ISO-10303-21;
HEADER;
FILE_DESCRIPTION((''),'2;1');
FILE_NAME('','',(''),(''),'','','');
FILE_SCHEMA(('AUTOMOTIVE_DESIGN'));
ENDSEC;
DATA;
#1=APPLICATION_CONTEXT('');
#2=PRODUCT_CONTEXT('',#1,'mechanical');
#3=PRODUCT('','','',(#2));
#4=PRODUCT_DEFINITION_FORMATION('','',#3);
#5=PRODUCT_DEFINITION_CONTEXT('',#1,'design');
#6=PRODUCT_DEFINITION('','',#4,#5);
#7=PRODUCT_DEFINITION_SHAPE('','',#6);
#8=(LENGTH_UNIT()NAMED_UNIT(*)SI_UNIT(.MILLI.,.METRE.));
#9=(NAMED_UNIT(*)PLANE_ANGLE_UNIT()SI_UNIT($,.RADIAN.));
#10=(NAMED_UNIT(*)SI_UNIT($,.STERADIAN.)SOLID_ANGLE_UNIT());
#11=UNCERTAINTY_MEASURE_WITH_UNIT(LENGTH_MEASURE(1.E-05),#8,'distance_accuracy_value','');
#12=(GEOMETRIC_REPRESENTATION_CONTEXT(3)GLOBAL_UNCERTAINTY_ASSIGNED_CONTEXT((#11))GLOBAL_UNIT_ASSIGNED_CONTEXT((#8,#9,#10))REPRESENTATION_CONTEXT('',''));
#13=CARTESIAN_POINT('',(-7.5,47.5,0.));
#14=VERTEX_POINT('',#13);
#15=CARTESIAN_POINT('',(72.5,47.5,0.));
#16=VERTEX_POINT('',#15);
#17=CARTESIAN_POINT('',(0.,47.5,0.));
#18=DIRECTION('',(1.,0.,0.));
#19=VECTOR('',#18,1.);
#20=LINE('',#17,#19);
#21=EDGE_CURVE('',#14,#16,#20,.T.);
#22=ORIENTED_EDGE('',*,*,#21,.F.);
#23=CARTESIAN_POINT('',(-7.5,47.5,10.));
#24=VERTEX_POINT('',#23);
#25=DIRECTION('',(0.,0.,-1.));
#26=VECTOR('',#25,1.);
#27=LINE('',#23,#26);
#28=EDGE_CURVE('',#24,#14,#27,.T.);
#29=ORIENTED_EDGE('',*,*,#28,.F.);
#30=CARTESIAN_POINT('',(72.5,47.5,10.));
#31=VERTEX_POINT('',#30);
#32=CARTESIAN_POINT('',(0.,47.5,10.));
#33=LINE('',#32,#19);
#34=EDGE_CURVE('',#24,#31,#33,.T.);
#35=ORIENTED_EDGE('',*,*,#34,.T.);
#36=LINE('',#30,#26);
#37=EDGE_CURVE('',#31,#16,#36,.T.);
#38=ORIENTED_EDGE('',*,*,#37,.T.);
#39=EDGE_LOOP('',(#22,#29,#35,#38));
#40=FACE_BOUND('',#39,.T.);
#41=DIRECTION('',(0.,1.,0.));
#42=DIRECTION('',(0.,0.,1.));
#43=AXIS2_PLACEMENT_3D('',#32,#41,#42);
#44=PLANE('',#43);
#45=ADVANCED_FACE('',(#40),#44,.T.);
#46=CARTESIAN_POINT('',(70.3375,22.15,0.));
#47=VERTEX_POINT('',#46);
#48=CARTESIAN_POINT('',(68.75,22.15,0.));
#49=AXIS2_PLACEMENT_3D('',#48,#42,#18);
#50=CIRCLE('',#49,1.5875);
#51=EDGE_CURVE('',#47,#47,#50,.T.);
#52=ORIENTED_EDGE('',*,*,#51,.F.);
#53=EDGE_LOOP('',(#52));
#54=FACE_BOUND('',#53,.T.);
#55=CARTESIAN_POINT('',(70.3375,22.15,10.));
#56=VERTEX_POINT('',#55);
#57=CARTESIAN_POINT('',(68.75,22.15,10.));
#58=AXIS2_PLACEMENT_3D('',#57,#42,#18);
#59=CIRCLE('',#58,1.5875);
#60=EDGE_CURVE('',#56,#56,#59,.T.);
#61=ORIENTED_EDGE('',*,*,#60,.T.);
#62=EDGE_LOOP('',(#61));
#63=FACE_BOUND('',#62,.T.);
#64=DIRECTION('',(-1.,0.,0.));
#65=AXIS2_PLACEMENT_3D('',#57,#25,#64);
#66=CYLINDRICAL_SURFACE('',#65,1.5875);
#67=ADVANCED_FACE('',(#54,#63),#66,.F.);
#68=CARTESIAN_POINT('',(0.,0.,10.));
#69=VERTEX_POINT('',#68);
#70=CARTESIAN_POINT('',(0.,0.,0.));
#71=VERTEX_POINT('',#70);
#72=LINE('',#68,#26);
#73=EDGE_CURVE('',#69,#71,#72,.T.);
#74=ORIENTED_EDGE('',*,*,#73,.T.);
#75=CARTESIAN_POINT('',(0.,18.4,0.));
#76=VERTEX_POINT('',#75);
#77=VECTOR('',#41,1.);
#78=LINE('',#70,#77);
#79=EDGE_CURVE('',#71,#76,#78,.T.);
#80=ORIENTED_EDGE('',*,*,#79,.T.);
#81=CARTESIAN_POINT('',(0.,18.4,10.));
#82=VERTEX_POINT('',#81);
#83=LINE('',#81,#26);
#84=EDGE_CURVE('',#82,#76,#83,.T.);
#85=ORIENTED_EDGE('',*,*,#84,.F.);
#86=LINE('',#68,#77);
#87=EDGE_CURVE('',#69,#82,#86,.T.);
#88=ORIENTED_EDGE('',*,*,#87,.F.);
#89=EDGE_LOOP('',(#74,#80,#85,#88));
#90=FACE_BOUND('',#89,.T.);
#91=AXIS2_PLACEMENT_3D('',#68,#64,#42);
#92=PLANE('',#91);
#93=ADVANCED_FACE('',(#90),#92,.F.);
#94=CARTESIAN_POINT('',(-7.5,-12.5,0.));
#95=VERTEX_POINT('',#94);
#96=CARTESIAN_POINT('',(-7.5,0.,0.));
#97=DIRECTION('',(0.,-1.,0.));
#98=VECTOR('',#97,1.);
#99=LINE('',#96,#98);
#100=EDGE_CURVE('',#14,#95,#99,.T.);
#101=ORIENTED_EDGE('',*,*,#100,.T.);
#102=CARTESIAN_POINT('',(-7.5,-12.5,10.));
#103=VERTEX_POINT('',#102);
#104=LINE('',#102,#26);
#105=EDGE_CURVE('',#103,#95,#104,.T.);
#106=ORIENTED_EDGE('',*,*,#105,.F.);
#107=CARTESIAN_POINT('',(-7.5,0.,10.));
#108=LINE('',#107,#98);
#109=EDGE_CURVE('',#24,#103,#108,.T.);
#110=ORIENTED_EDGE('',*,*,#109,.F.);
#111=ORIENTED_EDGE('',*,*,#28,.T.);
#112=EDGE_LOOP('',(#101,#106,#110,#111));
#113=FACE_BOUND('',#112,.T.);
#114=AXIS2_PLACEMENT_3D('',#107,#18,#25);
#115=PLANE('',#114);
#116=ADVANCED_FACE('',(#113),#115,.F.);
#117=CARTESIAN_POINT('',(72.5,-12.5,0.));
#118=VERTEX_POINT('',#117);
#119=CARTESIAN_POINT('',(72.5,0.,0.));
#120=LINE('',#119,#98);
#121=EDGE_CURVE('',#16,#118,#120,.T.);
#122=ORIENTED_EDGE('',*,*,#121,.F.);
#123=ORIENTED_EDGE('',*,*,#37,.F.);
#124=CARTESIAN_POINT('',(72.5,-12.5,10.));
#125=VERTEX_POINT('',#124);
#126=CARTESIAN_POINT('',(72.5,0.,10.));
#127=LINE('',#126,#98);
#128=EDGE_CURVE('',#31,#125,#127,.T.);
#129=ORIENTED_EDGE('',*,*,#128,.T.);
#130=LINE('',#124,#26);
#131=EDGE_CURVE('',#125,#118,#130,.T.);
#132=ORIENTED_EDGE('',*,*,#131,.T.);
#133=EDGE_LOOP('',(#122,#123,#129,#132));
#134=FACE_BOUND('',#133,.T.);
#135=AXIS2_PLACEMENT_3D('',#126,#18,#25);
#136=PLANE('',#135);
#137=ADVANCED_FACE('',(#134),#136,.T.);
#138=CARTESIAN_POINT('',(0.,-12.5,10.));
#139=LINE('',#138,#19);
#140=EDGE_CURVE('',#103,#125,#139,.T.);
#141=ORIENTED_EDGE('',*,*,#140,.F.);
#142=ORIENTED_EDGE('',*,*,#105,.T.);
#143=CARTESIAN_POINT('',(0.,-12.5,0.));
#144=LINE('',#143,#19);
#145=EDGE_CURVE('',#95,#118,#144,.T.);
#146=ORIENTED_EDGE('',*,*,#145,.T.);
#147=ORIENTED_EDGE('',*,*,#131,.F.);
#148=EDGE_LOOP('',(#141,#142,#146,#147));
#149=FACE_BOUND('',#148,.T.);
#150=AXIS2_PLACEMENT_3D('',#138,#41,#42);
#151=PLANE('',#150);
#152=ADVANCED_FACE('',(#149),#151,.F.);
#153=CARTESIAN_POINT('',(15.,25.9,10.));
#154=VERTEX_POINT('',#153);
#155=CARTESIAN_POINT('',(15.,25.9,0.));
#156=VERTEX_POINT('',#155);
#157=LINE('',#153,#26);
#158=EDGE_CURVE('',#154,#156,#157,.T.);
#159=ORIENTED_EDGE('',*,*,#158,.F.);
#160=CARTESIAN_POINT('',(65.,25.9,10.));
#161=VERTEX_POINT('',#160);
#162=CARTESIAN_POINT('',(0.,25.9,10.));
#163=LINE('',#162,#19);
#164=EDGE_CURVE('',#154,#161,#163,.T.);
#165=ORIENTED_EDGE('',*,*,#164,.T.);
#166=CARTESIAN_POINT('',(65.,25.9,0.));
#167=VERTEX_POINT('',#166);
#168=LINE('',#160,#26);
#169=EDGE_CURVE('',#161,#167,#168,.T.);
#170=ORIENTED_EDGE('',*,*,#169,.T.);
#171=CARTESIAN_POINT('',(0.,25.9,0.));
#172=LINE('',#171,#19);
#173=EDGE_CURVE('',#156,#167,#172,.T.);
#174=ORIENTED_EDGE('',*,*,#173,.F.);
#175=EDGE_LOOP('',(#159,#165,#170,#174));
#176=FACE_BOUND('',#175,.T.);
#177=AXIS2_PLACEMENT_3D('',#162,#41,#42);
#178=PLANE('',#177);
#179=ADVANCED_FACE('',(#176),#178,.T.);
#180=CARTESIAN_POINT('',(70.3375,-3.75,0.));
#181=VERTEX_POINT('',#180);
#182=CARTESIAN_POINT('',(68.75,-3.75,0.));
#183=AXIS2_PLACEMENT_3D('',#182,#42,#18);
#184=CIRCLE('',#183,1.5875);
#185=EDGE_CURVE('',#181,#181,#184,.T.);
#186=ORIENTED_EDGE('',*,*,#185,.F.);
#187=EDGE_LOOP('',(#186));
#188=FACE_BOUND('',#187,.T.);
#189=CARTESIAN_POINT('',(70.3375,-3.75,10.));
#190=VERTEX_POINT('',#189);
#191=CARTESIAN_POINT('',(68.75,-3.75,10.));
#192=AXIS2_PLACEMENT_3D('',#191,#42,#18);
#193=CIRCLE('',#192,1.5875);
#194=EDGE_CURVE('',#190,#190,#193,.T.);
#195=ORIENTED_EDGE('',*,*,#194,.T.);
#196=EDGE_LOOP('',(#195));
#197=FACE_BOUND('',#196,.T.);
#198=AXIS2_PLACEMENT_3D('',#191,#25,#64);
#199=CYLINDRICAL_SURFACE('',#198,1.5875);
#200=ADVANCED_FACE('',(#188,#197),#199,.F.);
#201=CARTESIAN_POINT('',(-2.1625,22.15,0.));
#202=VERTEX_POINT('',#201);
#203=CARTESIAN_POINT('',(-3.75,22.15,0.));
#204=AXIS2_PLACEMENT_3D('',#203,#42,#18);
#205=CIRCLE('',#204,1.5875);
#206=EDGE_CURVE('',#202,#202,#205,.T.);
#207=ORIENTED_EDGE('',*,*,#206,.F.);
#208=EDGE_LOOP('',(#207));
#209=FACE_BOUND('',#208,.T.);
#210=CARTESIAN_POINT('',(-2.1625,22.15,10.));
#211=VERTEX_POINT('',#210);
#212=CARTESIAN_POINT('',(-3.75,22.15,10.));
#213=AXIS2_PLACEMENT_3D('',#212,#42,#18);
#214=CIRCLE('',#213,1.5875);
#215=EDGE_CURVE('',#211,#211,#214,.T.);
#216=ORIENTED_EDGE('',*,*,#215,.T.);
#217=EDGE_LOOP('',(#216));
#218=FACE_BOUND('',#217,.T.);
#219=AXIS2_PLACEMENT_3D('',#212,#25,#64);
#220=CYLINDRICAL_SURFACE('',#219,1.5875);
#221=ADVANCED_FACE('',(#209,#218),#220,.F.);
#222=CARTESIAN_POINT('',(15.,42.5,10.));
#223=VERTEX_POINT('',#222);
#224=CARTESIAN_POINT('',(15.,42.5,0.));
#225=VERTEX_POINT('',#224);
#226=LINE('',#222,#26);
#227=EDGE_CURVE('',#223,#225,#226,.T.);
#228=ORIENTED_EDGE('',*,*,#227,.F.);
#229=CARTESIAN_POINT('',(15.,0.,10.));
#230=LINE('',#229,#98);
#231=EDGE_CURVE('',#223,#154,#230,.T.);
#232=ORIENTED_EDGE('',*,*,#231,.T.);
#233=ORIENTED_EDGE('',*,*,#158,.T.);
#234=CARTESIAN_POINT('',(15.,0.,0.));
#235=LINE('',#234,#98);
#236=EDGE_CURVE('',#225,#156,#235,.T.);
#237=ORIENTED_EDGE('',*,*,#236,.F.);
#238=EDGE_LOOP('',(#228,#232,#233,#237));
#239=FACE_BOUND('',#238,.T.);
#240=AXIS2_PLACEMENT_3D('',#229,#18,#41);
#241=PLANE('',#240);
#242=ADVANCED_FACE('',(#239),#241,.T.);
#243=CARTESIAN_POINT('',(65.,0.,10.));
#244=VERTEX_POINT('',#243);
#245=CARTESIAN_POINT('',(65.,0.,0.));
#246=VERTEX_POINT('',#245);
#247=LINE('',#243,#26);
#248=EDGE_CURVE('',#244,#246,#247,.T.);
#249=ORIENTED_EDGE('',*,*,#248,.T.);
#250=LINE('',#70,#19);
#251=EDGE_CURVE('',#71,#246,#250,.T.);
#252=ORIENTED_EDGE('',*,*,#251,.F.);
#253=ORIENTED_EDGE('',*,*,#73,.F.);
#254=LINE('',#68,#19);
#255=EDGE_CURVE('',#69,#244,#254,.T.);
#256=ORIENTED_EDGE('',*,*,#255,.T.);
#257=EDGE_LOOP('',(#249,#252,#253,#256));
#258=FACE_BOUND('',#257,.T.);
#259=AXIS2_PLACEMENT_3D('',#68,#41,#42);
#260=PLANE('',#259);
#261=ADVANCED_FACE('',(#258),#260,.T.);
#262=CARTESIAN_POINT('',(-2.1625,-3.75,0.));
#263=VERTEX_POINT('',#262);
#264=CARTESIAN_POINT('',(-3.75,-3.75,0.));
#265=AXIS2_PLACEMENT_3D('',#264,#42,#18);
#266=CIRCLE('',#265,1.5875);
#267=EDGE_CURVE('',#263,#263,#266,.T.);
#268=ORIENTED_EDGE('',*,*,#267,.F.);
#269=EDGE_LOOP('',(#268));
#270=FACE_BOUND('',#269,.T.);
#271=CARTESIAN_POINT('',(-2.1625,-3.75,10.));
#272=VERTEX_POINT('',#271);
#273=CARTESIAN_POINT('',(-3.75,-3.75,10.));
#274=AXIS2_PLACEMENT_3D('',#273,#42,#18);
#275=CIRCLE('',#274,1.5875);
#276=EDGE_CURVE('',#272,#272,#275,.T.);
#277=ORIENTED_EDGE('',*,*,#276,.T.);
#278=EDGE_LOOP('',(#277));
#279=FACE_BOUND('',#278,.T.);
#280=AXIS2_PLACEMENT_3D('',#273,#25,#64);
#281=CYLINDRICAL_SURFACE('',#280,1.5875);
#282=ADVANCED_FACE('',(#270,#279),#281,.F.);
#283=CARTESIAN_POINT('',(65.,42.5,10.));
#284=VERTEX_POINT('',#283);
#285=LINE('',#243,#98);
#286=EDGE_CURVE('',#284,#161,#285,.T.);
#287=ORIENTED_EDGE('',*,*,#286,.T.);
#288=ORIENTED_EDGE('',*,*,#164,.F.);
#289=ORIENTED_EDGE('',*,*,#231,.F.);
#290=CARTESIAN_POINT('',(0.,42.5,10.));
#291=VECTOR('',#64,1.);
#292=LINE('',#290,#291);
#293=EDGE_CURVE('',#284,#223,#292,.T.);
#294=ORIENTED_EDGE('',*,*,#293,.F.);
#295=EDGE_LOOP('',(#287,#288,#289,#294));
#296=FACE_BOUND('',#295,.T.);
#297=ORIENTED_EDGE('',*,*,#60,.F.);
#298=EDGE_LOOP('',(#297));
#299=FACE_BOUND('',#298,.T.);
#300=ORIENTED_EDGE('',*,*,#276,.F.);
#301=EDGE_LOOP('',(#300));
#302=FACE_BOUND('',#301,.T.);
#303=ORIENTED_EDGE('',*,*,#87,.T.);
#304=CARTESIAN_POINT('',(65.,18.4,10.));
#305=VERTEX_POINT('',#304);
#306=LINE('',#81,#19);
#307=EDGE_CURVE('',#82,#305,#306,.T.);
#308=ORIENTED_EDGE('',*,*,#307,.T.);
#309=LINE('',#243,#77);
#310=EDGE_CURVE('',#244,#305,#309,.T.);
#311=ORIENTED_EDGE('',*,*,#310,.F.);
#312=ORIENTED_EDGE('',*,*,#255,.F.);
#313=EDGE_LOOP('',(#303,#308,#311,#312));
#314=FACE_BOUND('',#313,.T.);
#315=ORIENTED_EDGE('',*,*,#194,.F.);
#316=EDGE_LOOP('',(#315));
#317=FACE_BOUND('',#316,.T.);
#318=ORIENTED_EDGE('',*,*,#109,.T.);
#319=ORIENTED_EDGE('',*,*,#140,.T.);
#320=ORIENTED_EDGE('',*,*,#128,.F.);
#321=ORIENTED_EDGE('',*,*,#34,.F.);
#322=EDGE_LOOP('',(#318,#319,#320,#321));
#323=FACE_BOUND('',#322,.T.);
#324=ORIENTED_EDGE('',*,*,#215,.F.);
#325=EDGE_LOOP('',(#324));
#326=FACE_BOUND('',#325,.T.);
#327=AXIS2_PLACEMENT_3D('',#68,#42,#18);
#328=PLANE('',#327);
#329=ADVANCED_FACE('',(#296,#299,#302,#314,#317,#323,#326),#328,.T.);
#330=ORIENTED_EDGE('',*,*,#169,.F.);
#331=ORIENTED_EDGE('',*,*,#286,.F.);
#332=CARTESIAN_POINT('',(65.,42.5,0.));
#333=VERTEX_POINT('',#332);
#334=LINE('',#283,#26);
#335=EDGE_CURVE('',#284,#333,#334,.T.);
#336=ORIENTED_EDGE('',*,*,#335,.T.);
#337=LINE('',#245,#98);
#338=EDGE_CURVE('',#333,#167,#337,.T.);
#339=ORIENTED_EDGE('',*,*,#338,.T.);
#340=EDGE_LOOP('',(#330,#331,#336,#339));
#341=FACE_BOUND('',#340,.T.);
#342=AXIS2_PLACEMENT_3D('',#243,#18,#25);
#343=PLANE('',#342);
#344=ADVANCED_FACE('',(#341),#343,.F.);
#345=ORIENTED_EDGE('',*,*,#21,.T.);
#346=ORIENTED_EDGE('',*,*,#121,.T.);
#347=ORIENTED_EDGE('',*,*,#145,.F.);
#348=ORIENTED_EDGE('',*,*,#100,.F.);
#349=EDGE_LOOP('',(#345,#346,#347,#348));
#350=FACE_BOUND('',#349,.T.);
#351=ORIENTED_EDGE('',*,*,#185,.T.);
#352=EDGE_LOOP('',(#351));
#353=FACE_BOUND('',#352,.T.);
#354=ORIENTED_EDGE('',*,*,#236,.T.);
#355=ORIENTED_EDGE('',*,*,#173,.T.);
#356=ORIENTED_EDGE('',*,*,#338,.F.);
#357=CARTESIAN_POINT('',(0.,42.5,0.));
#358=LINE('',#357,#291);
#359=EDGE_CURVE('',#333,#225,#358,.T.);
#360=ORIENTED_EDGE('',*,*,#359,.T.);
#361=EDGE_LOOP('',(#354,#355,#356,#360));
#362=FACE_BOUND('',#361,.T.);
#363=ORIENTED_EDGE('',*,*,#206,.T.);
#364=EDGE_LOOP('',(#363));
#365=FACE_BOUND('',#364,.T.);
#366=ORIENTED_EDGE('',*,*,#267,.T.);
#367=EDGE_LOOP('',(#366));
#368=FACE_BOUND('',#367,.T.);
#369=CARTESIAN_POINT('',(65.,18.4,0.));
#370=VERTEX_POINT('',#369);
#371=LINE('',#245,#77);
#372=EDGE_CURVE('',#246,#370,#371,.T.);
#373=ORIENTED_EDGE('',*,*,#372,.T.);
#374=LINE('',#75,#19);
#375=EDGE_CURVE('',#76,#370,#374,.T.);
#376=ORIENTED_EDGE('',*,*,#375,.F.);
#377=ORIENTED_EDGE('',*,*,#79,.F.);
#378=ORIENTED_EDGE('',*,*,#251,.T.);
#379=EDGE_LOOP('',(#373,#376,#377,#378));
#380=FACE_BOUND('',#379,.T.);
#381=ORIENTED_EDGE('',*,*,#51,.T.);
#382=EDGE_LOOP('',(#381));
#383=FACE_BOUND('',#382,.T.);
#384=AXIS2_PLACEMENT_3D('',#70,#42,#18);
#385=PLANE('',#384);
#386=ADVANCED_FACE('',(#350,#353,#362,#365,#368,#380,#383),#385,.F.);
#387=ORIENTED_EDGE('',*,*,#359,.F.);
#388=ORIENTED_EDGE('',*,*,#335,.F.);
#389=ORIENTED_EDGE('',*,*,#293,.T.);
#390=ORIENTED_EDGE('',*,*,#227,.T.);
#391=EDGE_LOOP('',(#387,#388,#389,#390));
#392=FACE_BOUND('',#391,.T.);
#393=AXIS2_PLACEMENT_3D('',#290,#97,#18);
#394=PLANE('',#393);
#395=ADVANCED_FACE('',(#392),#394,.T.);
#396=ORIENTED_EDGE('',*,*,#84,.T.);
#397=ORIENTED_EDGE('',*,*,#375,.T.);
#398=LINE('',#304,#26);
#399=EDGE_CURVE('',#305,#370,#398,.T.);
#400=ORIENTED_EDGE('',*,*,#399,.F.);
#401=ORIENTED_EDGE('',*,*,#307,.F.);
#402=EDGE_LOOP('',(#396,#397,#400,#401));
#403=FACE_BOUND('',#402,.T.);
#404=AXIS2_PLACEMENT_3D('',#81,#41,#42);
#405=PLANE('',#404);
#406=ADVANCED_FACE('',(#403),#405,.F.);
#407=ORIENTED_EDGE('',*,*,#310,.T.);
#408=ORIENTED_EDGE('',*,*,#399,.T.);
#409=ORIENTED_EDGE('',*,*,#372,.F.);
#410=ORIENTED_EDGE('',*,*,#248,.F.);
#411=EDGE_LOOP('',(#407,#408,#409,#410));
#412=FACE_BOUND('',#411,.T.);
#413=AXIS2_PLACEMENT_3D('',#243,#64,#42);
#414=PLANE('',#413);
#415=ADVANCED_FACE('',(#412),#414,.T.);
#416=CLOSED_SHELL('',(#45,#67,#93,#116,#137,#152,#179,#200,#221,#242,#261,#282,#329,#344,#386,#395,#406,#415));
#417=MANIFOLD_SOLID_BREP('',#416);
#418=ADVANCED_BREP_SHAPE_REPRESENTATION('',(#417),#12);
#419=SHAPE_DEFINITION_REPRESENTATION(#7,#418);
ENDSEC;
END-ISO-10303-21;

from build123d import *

# Parameters (mm, degrees)
SKETCH1_W           = 80
SKETCH1_H           = 60
SKETCH1_W_2         = 50
SKETCH1_H_2         = 16.6
SKETCH1_R           = 1.5875
SKETCH1_W_3         = 65
SKETCH1_H_3         = 18.4
BOSS_EXTRUDE1_DEPTH = 10


with BuildPart() as part:
    # Sketch1 → Boss-Extrude1 (new body)
    with BuildSketch(Plane.XY):
        with Locations((32.5, 17.5)):
            Rectangle(SKETCH1_W, SKETCH1_H)
        with Locations((40, 34.2)):
            Rectangle(SKETCH1_W_2, SKETCH1_H_2, mode=Mode.SUBTRACT)
        with Locations((-3.75, -3.75)):
            Circle(SKETCH1_R, mode=Mode.SUBTRACT)
        with Locations((68.75, -3.75)):
            Circle(SKETCH1_R, mode=Mode.SUBTRACT)
        with Locations((-3.75, 22.15)):
            Circle(SKETCH1_R, mode=Mode.SUBTRACT)
        with Locations((32.5, 9.2)):
            Rectangle(SKETCH1_W_3, SKETCH1_H_3, mode=Mode.SUBTRACT)
        with Locations((68.75, 22.15)):
            Circle(SKETCH1_R, mode=Mode.SUBTRACT)
    extrude(amount=BOSS_EXTRUDE1_DEPTH)


solid = part.part
